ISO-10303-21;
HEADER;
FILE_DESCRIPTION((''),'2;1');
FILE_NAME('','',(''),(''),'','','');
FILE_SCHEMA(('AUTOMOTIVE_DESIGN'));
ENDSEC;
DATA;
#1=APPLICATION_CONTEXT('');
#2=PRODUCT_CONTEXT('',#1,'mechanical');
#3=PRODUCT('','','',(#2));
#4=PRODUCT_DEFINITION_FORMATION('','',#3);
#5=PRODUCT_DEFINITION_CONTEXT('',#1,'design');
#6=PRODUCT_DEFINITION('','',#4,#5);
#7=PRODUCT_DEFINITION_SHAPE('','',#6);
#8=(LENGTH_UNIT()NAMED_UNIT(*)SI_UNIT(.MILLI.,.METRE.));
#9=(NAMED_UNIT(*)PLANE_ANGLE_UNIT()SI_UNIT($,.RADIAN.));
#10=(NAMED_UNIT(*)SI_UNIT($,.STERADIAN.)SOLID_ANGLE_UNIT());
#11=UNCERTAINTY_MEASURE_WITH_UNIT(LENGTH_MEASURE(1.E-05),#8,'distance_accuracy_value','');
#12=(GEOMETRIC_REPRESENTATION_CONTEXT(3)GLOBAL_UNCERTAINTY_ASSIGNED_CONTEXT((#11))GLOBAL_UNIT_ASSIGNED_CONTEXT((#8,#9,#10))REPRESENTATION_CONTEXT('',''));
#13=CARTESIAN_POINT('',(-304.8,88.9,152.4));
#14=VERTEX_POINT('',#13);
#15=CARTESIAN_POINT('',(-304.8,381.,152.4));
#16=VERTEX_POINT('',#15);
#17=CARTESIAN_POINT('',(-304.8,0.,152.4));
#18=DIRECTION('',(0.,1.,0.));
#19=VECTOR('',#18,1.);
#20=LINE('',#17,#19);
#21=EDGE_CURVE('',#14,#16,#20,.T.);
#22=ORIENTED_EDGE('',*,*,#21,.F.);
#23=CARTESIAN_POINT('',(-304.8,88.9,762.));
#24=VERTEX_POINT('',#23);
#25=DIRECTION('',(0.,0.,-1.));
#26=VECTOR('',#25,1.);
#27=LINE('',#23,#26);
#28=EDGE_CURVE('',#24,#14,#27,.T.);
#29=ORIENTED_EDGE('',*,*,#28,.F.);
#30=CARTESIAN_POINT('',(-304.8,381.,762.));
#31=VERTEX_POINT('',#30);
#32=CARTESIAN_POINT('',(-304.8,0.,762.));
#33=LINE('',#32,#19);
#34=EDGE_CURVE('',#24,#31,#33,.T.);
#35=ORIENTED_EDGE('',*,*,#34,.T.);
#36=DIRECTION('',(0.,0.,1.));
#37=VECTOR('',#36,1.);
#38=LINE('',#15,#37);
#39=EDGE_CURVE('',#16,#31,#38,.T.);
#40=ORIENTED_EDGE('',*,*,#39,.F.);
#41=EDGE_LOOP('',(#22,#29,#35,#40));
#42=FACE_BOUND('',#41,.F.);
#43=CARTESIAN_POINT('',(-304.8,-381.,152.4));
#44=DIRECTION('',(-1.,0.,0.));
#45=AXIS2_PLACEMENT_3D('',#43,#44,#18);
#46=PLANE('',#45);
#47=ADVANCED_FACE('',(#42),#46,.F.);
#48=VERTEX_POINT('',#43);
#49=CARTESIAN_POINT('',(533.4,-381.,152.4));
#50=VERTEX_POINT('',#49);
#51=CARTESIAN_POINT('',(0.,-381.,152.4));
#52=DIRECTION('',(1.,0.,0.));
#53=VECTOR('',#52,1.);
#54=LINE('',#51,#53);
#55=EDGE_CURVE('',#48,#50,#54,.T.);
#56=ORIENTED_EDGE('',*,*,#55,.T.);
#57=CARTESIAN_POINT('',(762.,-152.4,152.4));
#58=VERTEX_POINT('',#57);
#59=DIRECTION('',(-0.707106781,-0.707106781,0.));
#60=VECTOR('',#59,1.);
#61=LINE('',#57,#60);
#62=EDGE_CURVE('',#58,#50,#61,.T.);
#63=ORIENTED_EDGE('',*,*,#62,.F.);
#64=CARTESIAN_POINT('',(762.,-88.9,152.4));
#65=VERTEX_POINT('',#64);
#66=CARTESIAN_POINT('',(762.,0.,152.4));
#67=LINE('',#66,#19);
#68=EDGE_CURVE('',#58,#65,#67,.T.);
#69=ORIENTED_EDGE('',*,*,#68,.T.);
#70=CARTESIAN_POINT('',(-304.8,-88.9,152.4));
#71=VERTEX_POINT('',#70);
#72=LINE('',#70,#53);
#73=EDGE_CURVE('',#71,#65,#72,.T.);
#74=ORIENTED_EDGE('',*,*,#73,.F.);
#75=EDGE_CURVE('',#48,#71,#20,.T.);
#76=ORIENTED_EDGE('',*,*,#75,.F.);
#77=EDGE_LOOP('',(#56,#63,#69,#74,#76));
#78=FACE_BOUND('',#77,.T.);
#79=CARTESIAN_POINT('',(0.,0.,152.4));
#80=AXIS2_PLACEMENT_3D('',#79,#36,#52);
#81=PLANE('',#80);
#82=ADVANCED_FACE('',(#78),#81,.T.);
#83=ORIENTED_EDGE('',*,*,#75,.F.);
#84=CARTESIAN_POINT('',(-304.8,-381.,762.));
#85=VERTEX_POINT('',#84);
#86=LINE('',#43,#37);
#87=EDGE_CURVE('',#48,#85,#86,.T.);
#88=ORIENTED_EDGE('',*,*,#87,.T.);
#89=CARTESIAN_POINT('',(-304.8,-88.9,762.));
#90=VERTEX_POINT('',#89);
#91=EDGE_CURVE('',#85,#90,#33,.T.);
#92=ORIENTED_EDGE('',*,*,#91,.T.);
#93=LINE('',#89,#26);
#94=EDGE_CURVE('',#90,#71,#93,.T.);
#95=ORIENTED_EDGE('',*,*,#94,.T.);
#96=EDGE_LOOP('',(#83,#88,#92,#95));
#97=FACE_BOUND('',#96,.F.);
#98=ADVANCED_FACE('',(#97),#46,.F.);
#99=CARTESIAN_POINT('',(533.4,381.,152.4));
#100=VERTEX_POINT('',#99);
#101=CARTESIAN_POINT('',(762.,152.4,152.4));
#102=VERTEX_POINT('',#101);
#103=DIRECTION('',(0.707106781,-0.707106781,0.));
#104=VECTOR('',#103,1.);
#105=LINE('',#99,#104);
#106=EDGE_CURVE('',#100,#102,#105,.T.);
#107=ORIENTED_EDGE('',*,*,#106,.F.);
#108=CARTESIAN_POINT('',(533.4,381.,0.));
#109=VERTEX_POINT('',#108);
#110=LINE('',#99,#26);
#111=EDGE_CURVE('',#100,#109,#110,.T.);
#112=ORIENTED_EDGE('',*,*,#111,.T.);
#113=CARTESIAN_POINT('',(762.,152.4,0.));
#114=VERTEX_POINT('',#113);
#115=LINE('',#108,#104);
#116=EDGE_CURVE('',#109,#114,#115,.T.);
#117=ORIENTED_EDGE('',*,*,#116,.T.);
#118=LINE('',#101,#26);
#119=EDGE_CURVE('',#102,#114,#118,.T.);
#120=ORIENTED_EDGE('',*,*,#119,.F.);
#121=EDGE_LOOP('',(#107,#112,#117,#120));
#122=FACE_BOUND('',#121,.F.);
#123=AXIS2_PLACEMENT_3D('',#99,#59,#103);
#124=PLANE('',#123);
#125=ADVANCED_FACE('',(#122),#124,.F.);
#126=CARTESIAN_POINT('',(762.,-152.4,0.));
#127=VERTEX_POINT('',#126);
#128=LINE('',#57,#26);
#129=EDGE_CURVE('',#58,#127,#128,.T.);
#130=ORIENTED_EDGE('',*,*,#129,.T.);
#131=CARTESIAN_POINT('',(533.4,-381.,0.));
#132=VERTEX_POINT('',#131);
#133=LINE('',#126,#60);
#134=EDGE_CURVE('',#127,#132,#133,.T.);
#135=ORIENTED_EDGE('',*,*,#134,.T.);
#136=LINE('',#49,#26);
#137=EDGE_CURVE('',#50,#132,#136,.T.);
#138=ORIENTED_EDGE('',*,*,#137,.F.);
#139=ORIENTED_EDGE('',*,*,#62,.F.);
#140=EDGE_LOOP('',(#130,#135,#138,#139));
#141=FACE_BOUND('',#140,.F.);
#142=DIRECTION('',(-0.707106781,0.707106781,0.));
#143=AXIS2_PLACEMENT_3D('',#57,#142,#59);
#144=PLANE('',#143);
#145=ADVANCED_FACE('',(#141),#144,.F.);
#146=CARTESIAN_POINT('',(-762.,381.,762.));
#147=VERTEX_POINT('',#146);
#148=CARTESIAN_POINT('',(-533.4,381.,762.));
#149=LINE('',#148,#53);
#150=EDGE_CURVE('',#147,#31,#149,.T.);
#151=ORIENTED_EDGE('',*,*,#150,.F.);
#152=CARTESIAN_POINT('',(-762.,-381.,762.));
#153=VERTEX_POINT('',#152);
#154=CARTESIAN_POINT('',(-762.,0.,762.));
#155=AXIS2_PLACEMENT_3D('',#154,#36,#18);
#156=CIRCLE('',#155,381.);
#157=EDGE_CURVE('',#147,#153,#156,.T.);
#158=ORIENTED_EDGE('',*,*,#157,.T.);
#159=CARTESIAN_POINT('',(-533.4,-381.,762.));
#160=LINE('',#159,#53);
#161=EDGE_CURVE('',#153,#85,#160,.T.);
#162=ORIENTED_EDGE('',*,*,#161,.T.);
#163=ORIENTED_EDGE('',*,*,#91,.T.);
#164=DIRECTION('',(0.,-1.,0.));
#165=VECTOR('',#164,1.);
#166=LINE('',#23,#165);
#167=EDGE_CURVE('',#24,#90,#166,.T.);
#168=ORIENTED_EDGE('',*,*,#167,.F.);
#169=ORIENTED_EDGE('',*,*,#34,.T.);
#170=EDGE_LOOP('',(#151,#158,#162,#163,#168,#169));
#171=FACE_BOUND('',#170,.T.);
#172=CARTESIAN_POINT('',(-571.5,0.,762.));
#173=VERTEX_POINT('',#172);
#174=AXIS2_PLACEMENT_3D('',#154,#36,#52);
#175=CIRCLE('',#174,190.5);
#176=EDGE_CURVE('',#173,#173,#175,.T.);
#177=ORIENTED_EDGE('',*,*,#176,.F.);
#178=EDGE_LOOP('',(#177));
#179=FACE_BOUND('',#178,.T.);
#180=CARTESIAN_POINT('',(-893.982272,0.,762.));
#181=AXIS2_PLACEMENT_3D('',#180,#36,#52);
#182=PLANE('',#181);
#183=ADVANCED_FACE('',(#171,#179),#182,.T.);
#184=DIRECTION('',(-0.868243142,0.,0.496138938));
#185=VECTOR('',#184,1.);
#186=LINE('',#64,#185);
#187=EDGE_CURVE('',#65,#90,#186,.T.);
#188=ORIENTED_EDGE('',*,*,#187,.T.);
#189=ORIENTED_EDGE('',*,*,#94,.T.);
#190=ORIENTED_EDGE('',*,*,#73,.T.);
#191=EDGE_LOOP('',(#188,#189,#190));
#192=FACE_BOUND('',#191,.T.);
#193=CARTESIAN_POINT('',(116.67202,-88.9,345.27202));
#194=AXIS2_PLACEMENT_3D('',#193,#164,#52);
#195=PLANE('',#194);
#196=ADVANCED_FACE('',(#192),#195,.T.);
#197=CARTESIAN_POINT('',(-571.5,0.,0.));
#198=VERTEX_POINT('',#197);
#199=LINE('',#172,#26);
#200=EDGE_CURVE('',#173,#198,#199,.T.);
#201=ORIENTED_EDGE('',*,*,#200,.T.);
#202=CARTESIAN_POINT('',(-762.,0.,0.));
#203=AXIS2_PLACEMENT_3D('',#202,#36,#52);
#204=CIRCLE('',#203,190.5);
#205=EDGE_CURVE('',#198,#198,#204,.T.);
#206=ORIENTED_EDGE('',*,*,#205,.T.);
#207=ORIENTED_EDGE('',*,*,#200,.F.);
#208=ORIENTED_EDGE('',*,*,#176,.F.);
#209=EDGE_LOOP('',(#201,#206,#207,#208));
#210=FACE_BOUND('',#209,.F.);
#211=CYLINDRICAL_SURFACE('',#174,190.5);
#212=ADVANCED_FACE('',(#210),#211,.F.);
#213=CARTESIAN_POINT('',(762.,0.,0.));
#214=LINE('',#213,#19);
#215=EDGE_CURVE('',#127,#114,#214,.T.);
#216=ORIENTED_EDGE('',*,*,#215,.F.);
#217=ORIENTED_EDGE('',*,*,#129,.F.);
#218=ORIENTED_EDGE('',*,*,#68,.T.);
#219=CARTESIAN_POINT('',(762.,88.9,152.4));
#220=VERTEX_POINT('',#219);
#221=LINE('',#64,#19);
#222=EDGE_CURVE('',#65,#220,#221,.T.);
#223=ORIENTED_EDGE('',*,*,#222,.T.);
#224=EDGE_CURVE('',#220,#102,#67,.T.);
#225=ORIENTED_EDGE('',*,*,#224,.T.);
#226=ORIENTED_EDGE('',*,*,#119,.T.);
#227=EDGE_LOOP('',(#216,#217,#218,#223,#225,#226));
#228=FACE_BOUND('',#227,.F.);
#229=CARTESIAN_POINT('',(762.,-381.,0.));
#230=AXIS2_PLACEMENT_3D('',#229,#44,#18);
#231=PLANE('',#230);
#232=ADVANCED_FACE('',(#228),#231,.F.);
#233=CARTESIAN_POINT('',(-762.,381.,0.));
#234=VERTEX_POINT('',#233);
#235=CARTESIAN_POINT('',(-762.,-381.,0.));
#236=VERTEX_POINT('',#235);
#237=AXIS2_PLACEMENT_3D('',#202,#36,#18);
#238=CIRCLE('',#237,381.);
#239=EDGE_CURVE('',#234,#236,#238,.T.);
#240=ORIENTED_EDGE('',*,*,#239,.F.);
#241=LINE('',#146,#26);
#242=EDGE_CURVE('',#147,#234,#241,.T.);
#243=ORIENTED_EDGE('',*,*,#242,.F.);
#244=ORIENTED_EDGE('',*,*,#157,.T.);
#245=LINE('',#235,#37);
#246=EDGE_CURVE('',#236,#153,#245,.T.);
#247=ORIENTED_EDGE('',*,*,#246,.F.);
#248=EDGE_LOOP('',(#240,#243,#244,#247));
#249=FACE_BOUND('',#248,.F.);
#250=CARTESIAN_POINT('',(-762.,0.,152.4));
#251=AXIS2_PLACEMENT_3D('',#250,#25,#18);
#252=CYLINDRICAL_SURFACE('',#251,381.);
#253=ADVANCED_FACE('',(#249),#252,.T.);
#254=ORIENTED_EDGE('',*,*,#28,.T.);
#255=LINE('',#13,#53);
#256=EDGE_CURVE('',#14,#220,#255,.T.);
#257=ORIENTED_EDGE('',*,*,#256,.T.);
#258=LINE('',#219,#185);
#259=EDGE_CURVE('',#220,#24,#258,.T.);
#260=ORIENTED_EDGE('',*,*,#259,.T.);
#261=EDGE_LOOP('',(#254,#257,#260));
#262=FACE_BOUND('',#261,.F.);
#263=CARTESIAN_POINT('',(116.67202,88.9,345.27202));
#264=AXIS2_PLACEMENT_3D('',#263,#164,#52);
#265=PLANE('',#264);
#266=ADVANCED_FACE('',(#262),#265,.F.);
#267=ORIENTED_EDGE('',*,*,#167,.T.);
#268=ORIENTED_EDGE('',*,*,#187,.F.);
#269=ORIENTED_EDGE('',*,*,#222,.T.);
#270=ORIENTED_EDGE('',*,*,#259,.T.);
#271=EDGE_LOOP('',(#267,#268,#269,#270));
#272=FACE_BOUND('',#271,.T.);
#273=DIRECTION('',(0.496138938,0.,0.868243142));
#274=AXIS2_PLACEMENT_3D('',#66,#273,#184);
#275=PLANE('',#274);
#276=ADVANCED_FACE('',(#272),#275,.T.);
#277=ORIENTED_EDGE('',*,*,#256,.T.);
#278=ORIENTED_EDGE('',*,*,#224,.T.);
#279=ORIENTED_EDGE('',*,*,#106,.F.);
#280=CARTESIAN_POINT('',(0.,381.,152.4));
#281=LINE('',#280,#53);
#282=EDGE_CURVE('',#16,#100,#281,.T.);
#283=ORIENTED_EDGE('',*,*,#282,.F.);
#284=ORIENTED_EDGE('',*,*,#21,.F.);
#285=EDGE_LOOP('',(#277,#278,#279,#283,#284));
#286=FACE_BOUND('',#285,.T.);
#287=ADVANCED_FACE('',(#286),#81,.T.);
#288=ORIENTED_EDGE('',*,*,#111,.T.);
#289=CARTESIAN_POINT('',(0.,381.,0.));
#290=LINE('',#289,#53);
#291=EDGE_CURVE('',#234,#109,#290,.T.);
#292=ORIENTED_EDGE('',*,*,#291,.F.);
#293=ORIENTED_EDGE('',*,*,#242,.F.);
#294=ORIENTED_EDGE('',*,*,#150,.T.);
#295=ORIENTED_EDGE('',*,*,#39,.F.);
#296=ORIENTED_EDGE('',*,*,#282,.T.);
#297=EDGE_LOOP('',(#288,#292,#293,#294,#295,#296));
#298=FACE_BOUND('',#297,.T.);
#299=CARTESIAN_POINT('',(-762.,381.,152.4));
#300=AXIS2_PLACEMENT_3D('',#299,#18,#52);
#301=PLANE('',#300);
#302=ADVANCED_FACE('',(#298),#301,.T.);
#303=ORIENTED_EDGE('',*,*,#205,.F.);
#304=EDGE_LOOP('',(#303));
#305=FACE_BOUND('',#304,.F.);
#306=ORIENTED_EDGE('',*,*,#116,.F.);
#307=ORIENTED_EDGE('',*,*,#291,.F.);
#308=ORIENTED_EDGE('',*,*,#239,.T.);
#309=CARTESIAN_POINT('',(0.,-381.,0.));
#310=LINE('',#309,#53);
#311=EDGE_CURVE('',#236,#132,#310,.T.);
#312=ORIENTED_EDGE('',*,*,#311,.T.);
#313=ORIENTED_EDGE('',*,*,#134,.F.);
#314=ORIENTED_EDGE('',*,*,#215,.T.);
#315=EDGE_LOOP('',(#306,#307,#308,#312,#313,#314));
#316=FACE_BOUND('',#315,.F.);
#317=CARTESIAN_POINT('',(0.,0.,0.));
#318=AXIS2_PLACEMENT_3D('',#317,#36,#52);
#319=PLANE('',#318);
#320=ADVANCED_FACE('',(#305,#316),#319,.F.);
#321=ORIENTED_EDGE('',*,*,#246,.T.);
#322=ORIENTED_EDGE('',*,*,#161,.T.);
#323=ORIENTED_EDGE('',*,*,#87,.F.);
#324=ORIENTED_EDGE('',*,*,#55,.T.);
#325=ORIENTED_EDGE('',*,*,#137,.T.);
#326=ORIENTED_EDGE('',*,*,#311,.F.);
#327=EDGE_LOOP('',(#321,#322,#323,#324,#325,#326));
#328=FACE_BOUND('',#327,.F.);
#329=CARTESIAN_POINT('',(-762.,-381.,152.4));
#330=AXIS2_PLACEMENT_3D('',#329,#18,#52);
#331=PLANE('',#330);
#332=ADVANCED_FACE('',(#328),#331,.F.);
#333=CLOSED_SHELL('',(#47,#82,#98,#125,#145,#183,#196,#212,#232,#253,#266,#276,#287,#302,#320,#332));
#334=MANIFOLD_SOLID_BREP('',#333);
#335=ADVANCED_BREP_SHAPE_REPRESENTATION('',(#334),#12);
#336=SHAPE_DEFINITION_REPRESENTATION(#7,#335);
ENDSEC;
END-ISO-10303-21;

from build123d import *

# Parameters (mm, degrees)
F0_W     = 1524
F0_H     = 762
F1_DEPTH = 152.4
F2_W     = 457.2
F2_H     = 762
F3_DEPTH = 609.6
F5_DEPTH = 88.9
F6_R     = 190.5
F7_DEPTH = 1524
F9_DEPTH = 152.4


with BuildPart() as f1:
    # F0 (on Top) → F1 (new body)
    with BuildSketch(Plane.XY):
        Rectangle(F0_W, F0_H)
        with BuildLine():
            Line((-762, -381), (-762, 381))
            ThreePointArc((-762, 381), (-1143, 0), (-762, -381))
        make_face()
    extrude(amount=F1_DEPTH)

    # F2 (on face) → F3 (join)
    with BuildSketch(Plane.XY.offset(152.4)):
        with BuildLine():
            Line((-762, -381), (-762, 381))
            ThreePointArc((-762, 381), (-1143, 0), (-762, -381))
        make_face()
        with Locations((-533.4, 0)):
            Rectangle(F2_W, F2_H)
    extrude(amount=F3_DEPTH)

    # F4 (on Front) → F5 (join, symmetric)
    with BuildSketch(Plane.XZ):
        Polygon((762, 152.4), (-304.8, 762), (-304.8, 152.4), align=None)
    extrude(amount=F5_DEPTH, both=True)

    # F6 (on face) → F7 (cut)
    with BuildSketch(Plane.XY.offset(762)):
        with Locations((-762, 0)):
            Circle(F6_R)
    extrude(amount=-F7_DEPTH, mode=Mode.SUBTRACT)

    # F8 (on face) → F9 (cut)
    with BuildSketch(Plane.XY.offset(152.4)):
        Polygon((762, 381), (533.4, 381), (762, 152.4), align=None)
        Polygon((762, -381), (762, -152.4), (533.4, -381), align=None)
    extrude(amount=-F9_DEPTH, mode=Mode.SUBTRACT)


solid = f1.part
